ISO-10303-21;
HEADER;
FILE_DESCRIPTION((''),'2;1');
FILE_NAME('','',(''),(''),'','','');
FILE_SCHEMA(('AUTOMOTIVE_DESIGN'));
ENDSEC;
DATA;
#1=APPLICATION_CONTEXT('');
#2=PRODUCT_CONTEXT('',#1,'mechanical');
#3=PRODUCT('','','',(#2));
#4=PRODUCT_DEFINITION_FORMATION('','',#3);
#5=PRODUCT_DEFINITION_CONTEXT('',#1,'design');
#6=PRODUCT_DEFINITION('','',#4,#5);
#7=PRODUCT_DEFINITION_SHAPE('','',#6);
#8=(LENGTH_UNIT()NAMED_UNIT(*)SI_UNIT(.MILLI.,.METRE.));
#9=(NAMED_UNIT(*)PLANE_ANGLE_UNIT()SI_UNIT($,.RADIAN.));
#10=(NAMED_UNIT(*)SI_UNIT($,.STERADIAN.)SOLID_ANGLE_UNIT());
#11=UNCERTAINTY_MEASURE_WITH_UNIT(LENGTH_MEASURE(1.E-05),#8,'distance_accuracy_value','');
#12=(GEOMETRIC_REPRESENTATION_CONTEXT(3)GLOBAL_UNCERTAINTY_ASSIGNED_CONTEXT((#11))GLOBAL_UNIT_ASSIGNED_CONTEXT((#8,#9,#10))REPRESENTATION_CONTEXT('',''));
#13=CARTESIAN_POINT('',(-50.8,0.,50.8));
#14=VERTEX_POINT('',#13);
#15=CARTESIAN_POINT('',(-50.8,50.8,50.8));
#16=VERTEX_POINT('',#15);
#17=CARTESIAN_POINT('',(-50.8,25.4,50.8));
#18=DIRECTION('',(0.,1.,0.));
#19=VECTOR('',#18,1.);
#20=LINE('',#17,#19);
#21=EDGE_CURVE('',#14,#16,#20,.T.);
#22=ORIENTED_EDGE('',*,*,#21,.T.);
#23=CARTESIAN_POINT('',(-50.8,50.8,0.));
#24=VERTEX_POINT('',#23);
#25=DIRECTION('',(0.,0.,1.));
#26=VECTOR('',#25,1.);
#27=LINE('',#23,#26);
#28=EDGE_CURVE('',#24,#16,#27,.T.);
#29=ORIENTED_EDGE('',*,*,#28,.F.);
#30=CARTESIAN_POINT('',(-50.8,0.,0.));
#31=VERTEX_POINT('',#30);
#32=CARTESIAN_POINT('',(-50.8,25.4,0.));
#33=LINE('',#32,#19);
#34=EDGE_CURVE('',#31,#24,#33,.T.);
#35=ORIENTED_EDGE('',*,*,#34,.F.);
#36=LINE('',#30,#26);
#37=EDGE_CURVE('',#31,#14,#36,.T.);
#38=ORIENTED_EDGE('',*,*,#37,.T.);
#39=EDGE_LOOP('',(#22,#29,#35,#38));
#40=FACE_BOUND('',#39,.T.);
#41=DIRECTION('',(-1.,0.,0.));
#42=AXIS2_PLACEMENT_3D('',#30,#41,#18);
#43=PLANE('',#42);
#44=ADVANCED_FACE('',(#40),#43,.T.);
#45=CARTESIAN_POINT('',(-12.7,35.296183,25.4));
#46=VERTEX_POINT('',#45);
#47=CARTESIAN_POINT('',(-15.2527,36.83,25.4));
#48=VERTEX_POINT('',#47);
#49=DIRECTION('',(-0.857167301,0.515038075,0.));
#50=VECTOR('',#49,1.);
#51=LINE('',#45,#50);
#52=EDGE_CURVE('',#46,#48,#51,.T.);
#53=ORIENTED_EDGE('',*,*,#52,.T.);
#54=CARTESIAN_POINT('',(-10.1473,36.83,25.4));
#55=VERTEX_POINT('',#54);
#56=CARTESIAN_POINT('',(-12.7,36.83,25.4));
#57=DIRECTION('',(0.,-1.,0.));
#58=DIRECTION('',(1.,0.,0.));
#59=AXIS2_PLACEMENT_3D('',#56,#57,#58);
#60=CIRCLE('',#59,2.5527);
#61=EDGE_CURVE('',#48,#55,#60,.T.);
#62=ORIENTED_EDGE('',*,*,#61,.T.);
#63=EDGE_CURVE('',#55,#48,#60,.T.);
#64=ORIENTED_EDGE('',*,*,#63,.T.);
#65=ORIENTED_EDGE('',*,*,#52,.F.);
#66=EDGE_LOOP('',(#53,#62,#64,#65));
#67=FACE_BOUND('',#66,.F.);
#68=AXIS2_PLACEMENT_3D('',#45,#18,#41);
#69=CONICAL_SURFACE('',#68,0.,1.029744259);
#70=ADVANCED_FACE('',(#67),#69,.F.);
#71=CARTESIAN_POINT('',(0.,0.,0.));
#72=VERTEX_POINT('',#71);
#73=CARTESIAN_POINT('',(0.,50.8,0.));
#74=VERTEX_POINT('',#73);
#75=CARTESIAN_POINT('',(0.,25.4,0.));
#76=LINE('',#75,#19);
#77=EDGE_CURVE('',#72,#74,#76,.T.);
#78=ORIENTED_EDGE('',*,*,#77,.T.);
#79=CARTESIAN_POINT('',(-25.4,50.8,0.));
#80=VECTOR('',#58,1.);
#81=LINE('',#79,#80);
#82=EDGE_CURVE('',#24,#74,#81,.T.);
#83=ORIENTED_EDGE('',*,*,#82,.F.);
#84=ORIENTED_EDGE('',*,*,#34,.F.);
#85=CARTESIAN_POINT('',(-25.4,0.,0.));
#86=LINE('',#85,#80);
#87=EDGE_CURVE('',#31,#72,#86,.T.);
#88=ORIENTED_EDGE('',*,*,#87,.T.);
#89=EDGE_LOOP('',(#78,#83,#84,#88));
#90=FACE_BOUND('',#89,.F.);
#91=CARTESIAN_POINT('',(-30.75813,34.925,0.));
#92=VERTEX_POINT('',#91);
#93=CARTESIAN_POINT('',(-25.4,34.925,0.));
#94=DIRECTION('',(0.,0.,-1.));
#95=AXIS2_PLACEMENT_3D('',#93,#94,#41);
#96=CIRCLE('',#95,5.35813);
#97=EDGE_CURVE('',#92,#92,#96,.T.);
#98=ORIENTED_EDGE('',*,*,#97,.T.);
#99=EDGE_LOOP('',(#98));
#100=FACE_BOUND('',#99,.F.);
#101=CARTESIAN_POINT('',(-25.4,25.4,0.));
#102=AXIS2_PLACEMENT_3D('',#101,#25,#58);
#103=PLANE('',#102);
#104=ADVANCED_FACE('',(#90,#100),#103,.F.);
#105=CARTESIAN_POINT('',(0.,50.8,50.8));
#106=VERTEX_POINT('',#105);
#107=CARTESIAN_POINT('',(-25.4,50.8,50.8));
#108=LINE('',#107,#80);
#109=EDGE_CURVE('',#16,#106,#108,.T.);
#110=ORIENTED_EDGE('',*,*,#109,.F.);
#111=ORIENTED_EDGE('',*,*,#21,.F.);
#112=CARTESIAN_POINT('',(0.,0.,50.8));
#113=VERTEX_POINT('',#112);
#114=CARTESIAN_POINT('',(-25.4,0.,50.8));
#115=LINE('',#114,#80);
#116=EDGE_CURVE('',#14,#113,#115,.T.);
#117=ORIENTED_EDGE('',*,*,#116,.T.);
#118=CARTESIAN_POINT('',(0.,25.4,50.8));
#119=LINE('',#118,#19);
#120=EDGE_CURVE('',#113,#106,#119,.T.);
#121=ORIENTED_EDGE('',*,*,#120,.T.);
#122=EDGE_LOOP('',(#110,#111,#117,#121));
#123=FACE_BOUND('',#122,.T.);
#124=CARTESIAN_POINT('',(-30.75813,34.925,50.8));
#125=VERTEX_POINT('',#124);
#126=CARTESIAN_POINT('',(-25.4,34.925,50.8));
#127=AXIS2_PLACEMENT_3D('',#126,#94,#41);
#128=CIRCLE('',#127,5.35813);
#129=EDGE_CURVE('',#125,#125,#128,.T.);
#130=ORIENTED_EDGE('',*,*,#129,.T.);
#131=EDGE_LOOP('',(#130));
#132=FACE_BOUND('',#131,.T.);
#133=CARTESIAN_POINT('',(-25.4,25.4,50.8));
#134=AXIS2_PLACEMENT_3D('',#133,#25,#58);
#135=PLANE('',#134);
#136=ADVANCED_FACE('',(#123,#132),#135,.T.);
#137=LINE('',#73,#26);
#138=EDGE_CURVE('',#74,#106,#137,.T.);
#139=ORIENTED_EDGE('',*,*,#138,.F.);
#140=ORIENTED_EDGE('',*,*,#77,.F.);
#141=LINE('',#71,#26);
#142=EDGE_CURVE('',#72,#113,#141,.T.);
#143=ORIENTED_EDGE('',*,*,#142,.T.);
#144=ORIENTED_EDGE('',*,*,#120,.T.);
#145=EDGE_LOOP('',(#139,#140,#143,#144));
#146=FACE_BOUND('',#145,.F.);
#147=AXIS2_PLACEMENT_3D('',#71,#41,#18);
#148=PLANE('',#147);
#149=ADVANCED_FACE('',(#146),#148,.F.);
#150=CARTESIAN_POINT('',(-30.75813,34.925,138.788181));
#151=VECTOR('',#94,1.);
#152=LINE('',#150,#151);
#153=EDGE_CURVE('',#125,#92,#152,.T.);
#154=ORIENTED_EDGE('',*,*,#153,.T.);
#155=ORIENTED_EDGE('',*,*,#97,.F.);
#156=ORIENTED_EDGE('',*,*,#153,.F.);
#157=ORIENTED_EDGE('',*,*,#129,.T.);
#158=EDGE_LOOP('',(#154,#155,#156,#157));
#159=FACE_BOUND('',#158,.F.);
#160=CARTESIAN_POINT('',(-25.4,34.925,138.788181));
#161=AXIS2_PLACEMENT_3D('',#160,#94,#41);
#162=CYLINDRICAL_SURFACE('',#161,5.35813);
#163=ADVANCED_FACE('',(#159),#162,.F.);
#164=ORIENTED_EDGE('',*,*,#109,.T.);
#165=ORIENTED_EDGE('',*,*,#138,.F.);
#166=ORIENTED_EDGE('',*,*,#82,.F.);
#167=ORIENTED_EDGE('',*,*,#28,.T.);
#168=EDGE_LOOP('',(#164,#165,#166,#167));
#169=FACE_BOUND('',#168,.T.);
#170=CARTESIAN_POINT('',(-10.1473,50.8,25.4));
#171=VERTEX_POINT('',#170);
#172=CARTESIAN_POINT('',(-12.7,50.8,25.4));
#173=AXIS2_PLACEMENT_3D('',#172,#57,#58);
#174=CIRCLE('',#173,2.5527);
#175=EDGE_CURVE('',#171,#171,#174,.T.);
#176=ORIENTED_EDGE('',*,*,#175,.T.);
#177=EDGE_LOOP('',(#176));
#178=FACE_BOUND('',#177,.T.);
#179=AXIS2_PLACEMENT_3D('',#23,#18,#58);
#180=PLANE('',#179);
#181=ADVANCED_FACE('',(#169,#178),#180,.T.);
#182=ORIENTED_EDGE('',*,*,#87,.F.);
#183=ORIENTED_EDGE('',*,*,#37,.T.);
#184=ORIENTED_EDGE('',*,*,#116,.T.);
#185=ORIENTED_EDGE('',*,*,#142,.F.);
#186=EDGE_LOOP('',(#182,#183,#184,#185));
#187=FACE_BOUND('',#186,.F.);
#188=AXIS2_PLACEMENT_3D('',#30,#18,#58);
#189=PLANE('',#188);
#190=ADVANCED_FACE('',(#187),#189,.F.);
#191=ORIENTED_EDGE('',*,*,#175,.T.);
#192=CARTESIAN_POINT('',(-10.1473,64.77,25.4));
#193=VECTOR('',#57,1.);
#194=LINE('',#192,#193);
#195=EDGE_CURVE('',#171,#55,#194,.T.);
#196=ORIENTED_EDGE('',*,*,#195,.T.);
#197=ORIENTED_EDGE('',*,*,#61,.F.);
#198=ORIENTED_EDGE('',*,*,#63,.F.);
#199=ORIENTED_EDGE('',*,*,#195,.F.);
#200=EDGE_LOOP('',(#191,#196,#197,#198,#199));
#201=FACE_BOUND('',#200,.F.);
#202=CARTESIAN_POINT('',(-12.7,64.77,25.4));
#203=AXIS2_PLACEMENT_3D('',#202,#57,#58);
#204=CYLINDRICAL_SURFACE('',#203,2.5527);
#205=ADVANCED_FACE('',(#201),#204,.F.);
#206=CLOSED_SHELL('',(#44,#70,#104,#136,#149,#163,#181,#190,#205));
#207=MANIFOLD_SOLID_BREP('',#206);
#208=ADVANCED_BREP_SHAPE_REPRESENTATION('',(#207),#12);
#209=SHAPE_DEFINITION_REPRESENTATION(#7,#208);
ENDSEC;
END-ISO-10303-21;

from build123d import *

# Parameters (mm, degrees)
F0_W     = 50.8
F0_H     = 50.8
F1_DEPTH = 50.8
F3_D     = 10.71626
F5_D     = 5.1054
F5_DEPTH = 13.97
F5_TIP   = 1.5338169022


with BuildPart() as f1:
    # F0 (on Top) → F1 (new body)
    with BuildSketch(Plane.XY):
        with Locations((-25.4, 25.4)):
            Rectangle(F0_W, F0_H)
    extrude(amount=F1_DEPTH)

    # F3 (through all)
    with Locations(Plane.XY.offset(50.8)):
        with Locations((-25.4, 34.925)):
            Hole(F3_D / 2)

    # F5
    with Locations(Plane(origin=(0, 50.8, 0), x_dir=(-1, 0, 0), z_dir=(0, 1, 0))):
        with Locations((12.7, 25.4)):
            Hole(F5_D / 2, depth=F5_DEPTH)
            with Locations((0, 0, -(F5_DEPTH + F5_TIP / 2))):  # 118° drill point
                Cone(0, F5_D / 2, F5_TIP, mode=Mode.SUBTRACT)


solid = f1.part
